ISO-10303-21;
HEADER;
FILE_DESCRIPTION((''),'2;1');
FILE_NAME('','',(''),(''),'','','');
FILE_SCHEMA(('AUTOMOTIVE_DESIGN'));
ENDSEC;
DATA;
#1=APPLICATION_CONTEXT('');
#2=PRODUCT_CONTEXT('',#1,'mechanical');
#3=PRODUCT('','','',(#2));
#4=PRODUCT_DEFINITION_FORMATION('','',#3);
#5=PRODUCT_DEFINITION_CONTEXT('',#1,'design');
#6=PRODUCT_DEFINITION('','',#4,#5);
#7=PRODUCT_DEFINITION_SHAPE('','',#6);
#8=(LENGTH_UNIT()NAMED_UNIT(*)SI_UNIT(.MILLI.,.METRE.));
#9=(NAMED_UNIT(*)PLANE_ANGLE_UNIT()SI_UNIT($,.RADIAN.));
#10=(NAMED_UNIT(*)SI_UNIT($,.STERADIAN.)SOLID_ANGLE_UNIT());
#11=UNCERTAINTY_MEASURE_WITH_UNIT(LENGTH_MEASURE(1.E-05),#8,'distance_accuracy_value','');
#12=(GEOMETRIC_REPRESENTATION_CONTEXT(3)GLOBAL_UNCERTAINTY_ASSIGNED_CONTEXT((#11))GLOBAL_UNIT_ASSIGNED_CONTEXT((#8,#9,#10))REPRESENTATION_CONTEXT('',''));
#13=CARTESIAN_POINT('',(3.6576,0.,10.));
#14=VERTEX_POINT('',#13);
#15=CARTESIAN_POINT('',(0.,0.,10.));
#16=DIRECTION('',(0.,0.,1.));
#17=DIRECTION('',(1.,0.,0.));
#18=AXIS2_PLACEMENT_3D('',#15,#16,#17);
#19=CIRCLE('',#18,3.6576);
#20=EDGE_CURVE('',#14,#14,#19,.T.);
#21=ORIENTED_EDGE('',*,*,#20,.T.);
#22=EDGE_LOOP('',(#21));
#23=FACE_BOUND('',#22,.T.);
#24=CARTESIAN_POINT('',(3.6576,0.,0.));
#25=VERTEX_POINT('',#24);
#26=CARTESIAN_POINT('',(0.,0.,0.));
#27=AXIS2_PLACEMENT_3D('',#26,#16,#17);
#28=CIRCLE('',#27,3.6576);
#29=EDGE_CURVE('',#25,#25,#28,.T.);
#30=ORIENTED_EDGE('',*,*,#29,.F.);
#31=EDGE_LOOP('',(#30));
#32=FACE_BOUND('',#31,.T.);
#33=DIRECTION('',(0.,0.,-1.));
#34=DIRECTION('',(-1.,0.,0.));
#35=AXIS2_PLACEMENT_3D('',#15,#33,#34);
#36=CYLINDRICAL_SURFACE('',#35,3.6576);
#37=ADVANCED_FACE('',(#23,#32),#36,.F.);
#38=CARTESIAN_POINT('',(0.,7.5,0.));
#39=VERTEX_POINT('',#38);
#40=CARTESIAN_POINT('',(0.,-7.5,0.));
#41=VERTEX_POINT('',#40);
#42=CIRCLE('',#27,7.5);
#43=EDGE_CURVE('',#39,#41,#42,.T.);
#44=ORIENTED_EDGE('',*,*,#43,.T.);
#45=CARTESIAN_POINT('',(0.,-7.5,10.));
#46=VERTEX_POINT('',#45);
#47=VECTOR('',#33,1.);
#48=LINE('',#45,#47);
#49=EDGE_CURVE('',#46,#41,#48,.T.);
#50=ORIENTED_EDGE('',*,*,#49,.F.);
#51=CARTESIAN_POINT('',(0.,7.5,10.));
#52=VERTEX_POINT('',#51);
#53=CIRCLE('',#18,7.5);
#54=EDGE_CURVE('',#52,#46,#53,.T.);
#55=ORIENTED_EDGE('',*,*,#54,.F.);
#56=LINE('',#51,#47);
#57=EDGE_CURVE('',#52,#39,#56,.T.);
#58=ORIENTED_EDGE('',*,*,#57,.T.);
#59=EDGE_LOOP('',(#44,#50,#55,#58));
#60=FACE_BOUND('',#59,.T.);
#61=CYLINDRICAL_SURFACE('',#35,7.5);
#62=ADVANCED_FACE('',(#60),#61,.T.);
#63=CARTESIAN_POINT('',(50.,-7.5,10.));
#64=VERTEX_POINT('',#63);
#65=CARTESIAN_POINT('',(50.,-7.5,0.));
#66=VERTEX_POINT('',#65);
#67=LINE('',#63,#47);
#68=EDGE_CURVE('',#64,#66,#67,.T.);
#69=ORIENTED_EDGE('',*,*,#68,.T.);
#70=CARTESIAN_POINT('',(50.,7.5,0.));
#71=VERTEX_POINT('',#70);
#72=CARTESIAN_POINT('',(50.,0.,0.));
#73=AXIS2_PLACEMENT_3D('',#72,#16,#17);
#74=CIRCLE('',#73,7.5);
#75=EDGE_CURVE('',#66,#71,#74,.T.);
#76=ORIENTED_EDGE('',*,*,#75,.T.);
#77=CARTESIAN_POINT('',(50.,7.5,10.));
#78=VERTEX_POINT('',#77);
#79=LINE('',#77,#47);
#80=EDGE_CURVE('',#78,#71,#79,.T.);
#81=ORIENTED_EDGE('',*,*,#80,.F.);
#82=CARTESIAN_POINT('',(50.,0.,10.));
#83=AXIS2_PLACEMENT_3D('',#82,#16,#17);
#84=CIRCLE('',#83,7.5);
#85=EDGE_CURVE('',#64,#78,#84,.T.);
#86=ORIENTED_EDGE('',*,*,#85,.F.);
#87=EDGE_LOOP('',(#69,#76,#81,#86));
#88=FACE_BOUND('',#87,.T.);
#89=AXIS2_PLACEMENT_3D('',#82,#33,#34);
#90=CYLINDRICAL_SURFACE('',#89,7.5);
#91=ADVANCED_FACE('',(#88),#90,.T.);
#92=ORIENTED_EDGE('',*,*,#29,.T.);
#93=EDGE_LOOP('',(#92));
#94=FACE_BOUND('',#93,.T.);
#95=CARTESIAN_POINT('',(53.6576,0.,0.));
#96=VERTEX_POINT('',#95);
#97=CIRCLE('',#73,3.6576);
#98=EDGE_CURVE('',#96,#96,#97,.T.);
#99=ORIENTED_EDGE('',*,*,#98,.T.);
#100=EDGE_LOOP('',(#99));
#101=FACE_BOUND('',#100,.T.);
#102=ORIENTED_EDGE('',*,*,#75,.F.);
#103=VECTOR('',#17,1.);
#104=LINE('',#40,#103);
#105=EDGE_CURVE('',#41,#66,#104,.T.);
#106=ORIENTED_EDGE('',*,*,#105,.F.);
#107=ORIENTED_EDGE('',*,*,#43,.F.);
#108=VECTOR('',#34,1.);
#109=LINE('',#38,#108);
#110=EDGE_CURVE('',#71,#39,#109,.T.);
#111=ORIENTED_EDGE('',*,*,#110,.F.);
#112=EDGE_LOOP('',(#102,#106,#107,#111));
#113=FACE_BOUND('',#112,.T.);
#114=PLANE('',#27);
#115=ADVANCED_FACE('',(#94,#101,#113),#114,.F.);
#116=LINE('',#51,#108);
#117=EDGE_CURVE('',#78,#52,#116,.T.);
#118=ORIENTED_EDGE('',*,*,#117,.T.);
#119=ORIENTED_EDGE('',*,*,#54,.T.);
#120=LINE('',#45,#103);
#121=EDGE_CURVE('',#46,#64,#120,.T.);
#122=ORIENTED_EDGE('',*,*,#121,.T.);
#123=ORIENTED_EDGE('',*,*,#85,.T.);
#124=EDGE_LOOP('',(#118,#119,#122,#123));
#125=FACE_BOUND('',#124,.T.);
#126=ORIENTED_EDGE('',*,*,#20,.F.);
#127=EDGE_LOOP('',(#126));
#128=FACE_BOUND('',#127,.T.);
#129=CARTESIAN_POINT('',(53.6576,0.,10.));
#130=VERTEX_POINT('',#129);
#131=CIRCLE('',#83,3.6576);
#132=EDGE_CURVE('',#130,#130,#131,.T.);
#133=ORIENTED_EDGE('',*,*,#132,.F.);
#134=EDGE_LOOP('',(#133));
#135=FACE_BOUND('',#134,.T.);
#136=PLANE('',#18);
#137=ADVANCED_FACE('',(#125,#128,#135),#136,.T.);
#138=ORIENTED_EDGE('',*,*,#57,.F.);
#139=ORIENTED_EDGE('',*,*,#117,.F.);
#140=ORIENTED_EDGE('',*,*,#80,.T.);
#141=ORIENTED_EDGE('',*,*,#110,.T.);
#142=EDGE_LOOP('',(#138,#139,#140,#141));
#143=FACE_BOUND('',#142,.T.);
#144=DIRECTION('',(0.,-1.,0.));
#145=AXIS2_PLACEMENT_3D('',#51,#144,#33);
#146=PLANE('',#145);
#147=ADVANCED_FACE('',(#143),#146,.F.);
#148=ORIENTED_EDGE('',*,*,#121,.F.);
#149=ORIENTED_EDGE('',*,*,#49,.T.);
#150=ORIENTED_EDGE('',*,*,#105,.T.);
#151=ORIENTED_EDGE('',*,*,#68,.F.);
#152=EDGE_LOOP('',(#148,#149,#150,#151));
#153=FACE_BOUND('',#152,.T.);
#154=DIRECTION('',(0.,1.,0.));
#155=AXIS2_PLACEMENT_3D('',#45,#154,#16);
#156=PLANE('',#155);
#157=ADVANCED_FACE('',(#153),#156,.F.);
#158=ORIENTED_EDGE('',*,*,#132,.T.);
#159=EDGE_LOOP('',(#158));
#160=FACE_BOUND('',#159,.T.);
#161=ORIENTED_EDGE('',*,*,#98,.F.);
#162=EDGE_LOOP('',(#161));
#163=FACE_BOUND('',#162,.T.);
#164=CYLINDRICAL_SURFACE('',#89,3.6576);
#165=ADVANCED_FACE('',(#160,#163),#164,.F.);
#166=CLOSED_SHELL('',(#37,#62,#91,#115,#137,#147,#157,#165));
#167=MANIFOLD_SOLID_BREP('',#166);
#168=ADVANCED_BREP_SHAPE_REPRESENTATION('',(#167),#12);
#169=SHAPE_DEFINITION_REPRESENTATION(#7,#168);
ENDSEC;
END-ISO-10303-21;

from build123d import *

# Parameters (mm, degrees)
SKETCH1_R           = 3.6576
BOSS_EXTRUDE1_DEPTH = 10


with BuildPart() as part:
    # Sketch1 → Boss-Extrude1 (new body)
    with BuildSketch(Plane.XY):
        with BuildLine():
            Line((0, 7.5), (50, 7.5))
            ThreePointArc((50, 7.5), (57.5, 0), (50, -7.5))
            Line((50, -7.5), (0, -7.5))
            ThreePointArc((0, -7.5), (-7.5, 0), (0, 7.5))
        make_face()
        Circle(SKETCH1_R, mode=Mode.SUBTRACT)
        with Locations((50, 0)):
            Circle(SKETCH1_R, mode=Mode.SUBTRACT)
    extrude(amount=BOSS_EXTRUDE1_DEPTH)


solid = part.part
